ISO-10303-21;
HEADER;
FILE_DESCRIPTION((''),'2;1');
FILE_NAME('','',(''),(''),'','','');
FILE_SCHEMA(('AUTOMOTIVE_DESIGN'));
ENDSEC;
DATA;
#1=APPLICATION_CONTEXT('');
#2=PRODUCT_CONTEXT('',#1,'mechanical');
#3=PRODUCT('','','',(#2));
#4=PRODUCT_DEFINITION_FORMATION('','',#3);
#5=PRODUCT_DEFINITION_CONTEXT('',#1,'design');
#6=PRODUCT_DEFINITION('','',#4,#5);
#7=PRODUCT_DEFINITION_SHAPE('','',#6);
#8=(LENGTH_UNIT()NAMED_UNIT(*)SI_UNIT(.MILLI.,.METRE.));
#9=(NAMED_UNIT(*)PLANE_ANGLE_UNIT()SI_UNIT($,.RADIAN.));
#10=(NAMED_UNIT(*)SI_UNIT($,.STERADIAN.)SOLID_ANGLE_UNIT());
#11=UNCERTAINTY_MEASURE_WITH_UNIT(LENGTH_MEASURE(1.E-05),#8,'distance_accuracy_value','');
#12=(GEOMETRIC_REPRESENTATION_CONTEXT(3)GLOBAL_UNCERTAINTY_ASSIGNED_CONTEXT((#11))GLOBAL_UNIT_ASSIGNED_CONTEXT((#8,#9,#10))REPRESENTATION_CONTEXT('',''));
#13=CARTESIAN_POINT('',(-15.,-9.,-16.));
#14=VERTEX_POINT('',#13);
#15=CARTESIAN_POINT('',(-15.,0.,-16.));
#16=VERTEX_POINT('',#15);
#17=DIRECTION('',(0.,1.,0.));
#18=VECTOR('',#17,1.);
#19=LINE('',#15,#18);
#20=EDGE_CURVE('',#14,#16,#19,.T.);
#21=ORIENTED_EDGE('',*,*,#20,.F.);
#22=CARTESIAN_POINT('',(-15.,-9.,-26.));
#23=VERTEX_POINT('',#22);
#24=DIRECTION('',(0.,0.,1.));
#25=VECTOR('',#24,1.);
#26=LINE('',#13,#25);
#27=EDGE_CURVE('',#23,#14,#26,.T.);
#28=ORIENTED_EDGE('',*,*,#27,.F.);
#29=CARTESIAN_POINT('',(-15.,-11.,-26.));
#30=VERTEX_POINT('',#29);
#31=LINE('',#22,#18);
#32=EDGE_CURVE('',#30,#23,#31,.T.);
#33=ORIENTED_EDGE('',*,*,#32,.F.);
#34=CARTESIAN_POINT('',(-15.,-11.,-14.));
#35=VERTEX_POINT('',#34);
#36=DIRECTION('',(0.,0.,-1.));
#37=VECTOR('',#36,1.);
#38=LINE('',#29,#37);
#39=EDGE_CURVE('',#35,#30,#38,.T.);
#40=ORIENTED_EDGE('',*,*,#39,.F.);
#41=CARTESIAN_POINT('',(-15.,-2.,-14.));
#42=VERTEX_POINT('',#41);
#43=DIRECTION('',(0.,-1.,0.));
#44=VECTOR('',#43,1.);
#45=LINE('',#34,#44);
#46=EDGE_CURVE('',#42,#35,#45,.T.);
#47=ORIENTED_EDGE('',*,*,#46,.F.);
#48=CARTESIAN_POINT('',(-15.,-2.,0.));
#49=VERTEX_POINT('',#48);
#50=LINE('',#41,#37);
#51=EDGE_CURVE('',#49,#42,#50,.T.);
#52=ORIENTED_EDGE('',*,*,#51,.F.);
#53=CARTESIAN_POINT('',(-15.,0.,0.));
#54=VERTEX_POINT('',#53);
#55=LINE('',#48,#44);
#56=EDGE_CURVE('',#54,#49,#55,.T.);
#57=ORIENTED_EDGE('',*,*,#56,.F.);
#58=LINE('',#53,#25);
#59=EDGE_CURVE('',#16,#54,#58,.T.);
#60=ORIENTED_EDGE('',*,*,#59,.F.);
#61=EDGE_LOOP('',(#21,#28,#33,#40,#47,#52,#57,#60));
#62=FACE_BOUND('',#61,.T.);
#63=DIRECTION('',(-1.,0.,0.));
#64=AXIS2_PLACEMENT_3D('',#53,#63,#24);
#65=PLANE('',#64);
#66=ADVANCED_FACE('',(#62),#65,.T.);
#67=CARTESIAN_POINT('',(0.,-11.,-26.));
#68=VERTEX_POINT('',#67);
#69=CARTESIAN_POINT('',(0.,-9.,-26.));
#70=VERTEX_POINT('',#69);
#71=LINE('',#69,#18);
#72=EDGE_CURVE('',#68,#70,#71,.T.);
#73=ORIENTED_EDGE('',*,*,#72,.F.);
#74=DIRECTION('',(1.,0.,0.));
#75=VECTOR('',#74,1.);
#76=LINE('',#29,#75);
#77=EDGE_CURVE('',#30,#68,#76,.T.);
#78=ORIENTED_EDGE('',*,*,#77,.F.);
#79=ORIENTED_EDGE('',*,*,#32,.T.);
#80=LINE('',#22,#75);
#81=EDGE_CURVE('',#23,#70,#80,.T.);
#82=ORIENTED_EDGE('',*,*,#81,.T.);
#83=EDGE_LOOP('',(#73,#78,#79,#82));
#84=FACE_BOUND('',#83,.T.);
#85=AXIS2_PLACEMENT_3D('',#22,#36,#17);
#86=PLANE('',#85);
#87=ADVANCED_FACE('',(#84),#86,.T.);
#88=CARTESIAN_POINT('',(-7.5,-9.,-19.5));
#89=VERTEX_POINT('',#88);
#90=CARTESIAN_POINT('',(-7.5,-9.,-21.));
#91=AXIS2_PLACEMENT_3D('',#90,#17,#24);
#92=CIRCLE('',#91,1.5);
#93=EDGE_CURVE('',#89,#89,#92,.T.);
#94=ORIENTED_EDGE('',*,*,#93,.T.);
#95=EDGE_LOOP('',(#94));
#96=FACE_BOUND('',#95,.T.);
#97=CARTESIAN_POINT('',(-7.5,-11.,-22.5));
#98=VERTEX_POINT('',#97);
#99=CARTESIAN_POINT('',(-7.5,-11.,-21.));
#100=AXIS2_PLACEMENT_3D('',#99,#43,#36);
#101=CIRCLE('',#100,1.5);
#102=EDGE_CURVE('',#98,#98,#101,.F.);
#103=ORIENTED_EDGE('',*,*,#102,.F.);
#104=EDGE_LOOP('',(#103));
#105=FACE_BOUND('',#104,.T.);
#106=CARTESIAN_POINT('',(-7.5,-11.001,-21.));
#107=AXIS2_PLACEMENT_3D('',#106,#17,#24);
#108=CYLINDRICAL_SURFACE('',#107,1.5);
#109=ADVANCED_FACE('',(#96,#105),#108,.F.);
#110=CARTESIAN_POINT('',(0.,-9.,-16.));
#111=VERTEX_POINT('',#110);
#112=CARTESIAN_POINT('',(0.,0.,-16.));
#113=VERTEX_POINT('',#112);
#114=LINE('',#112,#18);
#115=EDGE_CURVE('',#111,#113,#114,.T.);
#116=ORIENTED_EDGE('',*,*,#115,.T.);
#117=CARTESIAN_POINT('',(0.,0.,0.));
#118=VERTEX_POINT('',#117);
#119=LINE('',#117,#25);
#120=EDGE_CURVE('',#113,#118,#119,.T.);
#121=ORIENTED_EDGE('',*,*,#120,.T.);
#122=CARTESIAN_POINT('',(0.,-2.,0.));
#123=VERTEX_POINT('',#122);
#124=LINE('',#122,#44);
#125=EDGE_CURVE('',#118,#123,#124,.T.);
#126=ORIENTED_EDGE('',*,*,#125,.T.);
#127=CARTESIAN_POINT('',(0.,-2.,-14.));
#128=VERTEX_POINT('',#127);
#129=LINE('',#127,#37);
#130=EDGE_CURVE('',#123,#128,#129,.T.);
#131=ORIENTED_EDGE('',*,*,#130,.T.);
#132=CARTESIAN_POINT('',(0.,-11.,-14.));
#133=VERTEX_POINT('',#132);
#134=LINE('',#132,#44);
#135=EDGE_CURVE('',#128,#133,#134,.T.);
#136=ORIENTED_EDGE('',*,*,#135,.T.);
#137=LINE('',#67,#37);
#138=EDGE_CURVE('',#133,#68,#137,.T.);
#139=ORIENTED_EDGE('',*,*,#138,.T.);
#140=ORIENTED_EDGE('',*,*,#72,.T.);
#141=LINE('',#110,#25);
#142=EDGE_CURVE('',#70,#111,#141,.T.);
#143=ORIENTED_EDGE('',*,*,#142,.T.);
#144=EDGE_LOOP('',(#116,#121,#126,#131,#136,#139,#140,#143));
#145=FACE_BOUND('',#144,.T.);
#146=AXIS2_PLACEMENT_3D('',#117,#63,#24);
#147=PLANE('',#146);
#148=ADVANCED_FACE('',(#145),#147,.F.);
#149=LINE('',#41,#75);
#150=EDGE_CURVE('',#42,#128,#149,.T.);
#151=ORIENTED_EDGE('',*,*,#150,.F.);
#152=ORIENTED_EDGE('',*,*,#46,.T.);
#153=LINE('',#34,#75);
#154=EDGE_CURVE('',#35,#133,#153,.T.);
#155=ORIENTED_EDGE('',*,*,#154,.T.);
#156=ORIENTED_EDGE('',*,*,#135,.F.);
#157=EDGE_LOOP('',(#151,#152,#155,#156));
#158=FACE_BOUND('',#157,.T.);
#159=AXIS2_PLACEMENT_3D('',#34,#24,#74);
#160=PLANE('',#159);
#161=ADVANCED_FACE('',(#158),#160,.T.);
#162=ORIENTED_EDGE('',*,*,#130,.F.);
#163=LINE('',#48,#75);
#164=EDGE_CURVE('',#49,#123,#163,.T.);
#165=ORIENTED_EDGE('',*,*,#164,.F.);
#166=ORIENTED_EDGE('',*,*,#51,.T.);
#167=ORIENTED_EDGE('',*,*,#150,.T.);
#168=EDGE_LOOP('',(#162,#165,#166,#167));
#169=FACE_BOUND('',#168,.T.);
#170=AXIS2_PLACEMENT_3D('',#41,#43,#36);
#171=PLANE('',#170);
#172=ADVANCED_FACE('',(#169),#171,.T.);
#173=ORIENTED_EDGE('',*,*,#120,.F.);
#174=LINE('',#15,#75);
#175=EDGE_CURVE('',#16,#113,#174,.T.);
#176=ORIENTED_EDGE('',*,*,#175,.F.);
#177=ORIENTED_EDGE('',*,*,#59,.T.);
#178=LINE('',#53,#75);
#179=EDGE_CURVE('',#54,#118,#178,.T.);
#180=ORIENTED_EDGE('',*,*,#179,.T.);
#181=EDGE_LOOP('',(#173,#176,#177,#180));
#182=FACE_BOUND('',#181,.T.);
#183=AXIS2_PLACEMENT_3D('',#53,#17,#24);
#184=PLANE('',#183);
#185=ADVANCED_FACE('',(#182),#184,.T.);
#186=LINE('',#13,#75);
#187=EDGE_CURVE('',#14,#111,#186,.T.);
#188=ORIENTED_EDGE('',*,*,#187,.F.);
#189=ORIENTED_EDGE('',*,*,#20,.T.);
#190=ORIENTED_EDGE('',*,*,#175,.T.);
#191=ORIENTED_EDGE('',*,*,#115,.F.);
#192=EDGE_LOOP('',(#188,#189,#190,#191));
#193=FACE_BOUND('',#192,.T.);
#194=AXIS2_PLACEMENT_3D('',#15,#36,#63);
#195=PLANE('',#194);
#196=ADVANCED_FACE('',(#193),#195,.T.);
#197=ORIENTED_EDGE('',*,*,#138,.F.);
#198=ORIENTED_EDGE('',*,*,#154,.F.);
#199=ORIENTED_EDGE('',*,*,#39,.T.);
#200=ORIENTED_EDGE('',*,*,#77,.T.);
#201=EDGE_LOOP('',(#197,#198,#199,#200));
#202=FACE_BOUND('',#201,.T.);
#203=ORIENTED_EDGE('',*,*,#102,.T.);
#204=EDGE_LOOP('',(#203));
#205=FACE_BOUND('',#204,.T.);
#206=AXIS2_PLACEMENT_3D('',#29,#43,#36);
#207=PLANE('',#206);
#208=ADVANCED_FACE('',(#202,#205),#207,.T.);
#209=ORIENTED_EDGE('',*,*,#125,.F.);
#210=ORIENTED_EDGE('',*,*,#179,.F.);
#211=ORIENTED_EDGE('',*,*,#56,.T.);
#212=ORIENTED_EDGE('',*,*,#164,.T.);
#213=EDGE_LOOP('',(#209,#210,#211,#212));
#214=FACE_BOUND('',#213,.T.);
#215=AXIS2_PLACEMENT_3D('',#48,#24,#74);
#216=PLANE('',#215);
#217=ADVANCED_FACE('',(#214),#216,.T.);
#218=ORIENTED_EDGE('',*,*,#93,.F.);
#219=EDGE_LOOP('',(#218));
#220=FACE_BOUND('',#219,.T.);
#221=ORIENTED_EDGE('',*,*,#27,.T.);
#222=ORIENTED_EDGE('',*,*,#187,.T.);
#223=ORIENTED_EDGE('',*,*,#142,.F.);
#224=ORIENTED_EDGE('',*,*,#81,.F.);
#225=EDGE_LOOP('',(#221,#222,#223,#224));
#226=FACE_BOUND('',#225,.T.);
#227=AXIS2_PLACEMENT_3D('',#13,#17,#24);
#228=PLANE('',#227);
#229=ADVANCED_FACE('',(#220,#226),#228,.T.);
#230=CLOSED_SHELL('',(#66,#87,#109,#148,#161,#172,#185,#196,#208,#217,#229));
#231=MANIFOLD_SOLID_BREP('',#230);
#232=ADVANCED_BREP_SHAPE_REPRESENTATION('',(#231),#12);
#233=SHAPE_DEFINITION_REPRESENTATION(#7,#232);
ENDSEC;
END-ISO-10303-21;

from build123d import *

# Parameters (mm, degrees)
BOSS_EXTRUDE1_DEPTH = 15
CUT_EXTRUDE1_REACH  = 4
SKETCH3_R           = 1.5


with BuildPart() as part:
    # Sketch1 → Boss-Extrude1 (new body)
    with BuildSketch(Plane(origin=(0, 0, 0), x_dir=(0, 0, -1), z_dir=(1, 0, 0))):
        Polygon((0, 0), (16, 0), (16, -9), (26, -9), (26, -11), (14, -11), (14, -2), (0, -2), align=None)
    extrude(amount=-BOSS_EXTRUDE1_DEPTH)

    # Sketch3 → Cut-Extrude1 (cut, up to next)
    with BuildSketch(Plane(origin=(0, -9, 0), x_dir=(1, 0, 0), z_dir=(0, 1, 0)), mode=Mode.PRIVATE) as cut_extrude1_sk1:
        with Locations((-7.5, 21)):
            Circle(SKETCH3_R)
    cut_extrude1_tool1 = extrude(cut_extrude1_sk1.sketch, amount=-CUT_EXTRUDE1_REACH, mode=Mode.PRIVATE) & part.part
    add(cut_extrude1_tool1.solids().sort_by_distance((-7.5, -9, -21))[0], mode=Mode.SUBTRACT)


solid = part.part
